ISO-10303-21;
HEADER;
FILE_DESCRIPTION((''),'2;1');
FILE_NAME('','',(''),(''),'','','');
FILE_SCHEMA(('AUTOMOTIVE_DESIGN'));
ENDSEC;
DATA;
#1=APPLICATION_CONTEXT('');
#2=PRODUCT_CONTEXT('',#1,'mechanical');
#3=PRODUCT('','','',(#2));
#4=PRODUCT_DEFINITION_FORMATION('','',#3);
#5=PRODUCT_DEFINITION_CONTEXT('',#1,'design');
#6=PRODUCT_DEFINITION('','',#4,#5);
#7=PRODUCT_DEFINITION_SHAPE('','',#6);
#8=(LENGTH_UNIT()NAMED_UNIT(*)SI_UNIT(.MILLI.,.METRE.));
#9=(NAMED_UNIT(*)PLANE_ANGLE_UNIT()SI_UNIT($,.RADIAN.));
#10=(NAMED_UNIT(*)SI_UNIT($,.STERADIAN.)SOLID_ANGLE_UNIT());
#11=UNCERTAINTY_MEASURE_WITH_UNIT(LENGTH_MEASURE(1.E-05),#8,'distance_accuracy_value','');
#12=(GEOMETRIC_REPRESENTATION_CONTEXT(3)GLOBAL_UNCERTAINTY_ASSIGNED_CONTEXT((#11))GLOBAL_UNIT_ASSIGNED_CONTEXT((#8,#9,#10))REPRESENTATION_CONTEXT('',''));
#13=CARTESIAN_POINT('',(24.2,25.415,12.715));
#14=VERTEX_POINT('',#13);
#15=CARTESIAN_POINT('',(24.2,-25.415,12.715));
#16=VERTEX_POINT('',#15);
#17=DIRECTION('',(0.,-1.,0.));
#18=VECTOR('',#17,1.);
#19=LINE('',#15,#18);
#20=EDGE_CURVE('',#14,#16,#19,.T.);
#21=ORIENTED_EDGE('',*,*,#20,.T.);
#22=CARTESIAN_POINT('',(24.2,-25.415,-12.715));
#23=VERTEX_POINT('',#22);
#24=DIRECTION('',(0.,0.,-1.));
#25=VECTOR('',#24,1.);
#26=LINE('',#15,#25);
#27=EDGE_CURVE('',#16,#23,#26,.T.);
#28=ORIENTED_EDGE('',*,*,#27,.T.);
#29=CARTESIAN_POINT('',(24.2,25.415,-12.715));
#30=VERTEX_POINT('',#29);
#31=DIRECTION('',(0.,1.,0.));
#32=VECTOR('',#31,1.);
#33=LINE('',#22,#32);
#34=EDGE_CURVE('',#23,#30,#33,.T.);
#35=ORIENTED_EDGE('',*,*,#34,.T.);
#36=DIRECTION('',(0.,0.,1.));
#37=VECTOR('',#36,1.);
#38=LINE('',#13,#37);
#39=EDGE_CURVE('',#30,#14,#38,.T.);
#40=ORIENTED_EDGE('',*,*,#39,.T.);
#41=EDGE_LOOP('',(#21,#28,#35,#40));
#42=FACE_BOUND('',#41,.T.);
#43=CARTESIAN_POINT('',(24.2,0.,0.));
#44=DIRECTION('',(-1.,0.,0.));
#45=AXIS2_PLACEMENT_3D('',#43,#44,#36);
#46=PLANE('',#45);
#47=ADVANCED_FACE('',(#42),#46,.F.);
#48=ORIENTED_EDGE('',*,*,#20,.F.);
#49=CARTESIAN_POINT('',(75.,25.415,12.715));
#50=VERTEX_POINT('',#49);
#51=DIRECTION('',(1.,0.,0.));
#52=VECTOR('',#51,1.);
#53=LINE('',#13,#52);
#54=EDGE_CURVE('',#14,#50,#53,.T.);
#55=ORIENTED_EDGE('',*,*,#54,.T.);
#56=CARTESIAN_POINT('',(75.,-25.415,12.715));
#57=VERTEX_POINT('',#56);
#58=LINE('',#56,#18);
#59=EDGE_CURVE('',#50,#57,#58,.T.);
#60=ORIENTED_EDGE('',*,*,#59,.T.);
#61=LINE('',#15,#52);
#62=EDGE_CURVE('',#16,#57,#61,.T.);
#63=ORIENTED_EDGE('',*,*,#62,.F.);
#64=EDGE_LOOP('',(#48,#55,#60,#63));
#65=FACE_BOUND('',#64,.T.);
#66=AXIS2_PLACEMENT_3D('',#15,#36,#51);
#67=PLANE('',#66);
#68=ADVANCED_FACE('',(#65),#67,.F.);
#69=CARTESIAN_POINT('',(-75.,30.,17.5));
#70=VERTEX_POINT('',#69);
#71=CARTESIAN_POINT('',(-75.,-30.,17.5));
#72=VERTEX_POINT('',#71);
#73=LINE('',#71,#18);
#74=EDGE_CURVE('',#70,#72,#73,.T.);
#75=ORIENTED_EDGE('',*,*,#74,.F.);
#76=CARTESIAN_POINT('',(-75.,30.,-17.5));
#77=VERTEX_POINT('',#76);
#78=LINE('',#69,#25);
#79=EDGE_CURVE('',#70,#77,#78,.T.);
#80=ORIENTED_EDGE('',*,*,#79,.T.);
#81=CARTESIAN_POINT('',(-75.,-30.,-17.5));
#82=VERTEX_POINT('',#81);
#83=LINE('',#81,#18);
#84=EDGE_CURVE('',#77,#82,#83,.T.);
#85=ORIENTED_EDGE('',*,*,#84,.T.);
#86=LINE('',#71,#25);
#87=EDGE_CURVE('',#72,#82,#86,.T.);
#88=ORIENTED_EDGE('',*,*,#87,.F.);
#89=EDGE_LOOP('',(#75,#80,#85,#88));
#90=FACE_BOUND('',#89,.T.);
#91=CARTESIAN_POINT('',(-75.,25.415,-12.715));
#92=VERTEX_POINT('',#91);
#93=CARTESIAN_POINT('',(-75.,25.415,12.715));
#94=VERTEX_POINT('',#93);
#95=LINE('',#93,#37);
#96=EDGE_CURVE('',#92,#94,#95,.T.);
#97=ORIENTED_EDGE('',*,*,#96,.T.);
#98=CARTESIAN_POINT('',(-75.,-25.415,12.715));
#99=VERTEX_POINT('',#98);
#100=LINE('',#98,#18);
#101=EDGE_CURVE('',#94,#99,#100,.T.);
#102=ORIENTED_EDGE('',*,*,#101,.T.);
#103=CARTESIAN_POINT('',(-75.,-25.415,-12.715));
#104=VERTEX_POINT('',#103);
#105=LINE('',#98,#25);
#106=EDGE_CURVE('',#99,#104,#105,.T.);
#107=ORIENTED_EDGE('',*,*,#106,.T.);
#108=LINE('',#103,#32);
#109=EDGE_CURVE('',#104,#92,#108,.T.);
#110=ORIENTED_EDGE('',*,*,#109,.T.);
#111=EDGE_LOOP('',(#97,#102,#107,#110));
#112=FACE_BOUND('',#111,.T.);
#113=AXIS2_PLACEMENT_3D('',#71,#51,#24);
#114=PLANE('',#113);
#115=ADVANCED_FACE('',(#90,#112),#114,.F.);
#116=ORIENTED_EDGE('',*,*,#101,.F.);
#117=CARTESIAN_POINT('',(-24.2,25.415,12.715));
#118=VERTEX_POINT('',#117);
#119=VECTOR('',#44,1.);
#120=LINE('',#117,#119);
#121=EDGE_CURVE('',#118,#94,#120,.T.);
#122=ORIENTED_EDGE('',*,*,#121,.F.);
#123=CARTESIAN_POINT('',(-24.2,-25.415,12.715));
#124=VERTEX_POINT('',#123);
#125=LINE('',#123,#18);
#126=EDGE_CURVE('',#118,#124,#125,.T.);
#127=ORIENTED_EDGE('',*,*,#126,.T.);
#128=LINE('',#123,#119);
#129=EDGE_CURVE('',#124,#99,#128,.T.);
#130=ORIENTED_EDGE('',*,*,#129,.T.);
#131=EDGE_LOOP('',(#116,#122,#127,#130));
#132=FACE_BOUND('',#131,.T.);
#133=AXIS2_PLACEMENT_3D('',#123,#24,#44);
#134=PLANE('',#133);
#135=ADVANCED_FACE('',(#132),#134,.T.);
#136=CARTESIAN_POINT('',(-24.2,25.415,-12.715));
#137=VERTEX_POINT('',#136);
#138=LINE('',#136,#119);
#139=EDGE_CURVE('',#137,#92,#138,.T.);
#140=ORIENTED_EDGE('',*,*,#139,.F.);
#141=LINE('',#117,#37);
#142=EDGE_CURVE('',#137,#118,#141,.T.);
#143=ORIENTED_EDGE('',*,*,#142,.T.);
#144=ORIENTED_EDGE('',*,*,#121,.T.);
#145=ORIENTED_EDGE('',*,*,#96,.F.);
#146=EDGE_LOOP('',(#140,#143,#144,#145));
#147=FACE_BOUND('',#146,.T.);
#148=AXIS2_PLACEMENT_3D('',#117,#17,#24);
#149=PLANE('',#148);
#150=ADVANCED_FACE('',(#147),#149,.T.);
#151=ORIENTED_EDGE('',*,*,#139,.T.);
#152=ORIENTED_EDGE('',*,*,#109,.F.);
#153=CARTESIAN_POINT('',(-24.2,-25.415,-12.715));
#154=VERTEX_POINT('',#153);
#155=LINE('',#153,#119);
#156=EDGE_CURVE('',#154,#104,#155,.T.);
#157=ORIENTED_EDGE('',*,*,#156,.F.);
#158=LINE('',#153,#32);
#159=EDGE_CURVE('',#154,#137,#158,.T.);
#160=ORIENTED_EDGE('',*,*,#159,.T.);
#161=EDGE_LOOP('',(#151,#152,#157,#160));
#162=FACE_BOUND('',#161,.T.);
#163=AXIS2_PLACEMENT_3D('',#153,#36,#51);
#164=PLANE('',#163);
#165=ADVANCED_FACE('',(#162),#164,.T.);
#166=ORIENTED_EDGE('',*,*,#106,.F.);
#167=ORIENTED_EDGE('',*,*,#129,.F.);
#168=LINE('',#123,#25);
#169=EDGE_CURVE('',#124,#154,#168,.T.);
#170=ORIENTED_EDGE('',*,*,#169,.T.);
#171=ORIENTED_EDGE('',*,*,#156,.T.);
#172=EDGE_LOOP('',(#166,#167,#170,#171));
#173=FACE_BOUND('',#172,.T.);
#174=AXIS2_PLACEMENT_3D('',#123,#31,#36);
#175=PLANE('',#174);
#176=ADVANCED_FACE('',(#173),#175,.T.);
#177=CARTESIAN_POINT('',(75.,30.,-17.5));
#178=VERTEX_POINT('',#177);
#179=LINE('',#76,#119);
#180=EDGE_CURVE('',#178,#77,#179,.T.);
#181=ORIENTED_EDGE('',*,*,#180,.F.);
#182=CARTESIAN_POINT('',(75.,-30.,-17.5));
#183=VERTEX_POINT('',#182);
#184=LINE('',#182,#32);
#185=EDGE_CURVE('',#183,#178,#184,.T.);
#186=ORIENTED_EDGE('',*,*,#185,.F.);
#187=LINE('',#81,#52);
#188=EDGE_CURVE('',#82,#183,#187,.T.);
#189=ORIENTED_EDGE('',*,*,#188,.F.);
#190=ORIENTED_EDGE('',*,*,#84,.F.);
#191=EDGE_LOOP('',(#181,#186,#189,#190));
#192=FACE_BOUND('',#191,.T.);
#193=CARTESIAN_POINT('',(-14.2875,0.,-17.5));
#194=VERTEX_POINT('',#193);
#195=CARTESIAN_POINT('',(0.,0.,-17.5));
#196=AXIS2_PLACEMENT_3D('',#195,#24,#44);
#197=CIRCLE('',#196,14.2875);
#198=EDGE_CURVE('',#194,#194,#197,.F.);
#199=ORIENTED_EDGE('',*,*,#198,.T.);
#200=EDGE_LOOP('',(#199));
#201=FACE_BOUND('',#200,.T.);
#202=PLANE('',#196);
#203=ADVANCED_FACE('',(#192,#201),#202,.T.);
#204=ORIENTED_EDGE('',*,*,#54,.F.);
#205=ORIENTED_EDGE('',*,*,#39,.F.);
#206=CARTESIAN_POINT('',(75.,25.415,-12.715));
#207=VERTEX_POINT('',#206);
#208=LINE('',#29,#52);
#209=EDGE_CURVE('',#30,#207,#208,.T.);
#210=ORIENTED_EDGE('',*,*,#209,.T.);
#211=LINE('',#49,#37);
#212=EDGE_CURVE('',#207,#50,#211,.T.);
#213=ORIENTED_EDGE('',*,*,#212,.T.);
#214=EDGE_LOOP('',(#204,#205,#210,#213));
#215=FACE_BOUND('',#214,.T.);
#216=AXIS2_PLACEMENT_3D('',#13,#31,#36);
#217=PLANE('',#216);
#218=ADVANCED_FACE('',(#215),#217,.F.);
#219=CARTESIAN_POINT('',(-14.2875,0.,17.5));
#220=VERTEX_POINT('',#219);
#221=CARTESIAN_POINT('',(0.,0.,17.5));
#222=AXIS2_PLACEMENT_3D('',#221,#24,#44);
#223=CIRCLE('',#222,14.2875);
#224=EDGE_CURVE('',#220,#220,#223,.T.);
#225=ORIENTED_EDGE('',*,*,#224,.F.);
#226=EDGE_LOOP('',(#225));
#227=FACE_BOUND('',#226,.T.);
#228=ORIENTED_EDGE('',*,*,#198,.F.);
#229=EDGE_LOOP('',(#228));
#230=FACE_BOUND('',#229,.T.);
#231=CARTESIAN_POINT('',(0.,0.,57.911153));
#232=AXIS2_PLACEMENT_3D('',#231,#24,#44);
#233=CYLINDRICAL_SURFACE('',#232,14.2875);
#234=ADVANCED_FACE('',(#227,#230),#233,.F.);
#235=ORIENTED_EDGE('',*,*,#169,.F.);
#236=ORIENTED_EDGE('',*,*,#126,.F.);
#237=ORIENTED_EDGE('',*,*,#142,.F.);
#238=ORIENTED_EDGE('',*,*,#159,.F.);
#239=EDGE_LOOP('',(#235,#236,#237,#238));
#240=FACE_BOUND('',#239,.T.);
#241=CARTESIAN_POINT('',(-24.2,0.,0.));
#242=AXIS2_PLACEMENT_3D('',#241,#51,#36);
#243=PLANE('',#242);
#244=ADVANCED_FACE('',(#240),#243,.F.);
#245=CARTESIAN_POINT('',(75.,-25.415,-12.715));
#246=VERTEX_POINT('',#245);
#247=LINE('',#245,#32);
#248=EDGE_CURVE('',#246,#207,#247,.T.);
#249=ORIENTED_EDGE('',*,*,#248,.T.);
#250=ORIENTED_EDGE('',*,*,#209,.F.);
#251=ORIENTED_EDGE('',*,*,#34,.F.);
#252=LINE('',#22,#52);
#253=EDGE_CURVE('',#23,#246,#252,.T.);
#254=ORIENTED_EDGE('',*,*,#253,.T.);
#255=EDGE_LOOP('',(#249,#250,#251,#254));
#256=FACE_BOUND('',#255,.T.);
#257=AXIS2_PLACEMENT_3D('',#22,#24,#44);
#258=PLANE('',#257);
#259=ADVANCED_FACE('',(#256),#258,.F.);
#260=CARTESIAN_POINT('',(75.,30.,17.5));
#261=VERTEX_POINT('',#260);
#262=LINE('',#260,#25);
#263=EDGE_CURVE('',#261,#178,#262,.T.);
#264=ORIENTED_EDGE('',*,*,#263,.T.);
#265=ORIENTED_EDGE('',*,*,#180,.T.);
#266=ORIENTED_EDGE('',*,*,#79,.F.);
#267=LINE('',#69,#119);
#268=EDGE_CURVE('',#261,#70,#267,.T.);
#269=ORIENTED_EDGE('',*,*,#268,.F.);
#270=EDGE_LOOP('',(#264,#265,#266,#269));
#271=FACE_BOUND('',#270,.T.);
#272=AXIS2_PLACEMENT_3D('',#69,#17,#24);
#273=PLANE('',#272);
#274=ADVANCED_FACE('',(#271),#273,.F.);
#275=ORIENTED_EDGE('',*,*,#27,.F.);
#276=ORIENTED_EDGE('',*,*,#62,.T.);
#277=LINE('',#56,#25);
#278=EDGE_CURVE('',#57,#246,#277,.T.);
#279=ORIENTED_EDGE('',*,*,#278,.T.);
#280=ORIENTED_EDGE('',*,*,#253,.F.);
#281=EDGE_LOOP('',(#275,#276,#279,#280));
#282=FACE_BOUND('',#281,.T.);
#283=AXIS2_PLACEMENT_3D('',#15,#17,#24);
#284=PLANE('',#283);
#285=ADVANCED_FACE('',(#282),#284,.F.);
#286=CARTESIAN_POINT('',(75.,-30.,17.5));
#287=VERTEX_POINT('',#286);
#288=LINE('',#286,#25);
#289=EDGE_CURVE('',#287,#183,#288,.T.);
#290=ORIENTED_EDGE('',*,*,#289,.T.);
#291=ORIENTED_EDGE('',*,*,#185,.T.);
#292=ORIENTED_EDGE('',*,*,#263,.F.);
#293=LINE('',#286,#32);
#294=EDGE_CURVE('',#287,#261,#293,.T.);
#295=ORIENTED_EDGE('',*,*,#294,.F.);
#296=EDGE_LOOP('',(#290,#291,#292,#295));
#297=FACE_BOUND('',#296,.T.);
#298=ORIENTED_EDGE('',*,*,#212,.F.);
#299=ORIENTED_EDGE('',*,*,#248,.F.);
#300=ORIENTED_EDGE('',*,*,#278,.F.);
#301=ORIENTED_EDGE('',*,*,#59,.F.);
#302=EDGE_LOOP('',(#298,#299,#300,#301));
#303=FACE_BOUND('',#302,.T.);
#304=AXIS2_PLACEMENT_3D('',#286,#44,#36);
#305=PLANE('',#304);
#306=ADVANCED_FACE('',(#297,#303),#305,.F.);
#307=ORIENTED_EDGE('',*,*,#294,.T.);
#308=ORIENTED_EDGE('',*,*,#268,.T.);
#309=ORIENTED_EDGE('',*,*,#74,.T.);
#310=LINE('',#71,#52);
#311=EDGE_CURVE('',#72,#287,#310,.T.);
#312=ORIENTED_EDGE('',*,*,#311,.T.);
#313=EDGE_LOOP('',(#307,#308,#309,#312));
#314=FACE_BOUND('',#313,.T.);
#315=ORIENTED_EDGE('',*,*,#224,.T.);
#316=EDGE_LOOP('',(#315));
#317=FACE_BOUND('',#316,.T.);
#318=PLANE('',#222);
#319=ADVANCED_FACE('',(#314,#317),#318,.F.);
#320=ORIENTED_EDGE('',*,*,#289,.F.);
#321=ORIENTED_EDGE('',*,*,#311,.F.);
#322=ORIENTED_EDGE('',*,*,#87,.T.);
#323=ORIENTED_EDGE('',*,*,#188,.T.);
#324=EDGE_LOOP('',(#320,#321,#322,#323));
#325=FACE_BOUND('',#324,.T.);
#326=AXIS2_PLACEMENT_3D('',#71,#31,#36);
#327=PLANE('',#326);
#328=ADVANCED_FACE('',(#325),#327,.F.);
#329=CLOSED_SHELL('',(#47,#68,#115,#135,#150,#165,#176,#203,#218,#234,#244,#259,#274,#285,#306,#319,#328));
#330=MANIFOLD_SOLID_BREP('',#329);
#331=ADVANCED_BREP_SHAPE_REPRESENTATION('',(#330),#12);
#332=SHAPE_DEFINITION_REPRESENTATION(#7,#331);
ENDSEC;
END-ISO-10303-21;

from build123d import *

# Parameters (mm, degrees)
SKETCH1_W                      = 150
SKETCH1_H                      = 60
BOSS_EXTRUDE1_DEPTH            = 17.5
SKETCH2_W                      = 25.43
SKETCH2_H                      = 50.83
CUT_EXTRUDE1_DEPTH             = 50.8
CUT_EXTRUDE2_REACH             = 84.651
SKETCH3_R                      = 14.2875
CUT_EXTRUDE2_DIRECTION_2_REACH = 84.651


with BuildPart() as part:
    # Sketch1 → Boss-Extrude1 (new, symmetric)
    with BuildSketch(Plane.XY):
        Rectangle(SKETCH1_W, SKETCH1_H)
    extrude(amount=BOSS_EXTRUDE1_DEPTH, both=True)

    # Sketch2 → Cut-Extrude1 (cut)
    with BuildSketch(Plane(origin=(75, 0, 0), x_dir=(0, 0, -1), z_dir=(1, 0, 0))):
        Rectangle(SKETCH2_W, SKETCH2_H)
    cut_extrude1 = extrude(amount=-CUT_EXTRUDE1_DEPTH, mode=Mode.SUBTRACT)

    # Cut-Extrude2: up to this face of the body (flat: up to its plane)
    cut_extrude2_end = Plane(part.part.faces().sort_by_distance((0, 0, 17.5))[0])
    # Sketch3 → Cut-Extrude2 (cut, up to the picked face)
    with BuildSketch(Plane.XY, mode=Mode.PRIVATE) as cut_extrude2_sk1:
        with Locations(Location((0, 0, 0), (0, 0, 180))):
            Circle(SKETCH3_R)
    cut_extrude2_tool1 = split(extrude(cut_extrude2_sk1.sketch, amount=CUT_EXTRUDE2_REACH, mode=Mode.PRIVATE), bisect_by=cut_extrude2_end, keep=Keep.BOTH, mode=Mode.PRIVATE)
    add(cut_extrude2_tool1.solids().sort_by(Axis((0, 0, 0), (0, 0, 1)))[0], mode=Mode.SUBTRACT)

    # Cut-Extrude2 direction 2: up to this face of the body (flat: up to its plane)
    cut_extrude2_direction_2_end = Plane(part.part.faces().sort_by_distance((0, 0, -17.5))[0])
    # Sketch3 → Cut-Extrude2 direction 2 (cut, up to the picked face)
    with BuildSketch(Plane.XY, mode=Mode.PRIVATE) as cut_extrude2_direction_2_sk1:
        with Locations(Location((0, 0, 0), (0, 0, 180))):
            Circle(SKETCH3_R)
    cut_extrude2_direction_2_tool1 = split(extrude(cut_extrude2_direction_2_sk1.sketch, amount=-CUT_EXTRUDE2_DIRECTION_2_REACH, mode=Mode.PRIVATE), bisect_by=cut_extrude2_direction_2_end, keep=Keep.BOTH, mode=Mode.PRIVATE)
    add(cut_extrude2_direction_2_tool1.solids().sort_by(Axis((0, 0, 0), (0, 0, -1)))[0], mode=Mode.SUBTRACT)

    # Mirror1: Cut-Extrude1 across plane
    add(cut_extrude1.mirror(Plane(origin=(0, 0, 0), x_dir=(0, 0, 1), z_dir=(1, 0, 0))), mode=Mode.SUBTRACT)


solid = part.part
